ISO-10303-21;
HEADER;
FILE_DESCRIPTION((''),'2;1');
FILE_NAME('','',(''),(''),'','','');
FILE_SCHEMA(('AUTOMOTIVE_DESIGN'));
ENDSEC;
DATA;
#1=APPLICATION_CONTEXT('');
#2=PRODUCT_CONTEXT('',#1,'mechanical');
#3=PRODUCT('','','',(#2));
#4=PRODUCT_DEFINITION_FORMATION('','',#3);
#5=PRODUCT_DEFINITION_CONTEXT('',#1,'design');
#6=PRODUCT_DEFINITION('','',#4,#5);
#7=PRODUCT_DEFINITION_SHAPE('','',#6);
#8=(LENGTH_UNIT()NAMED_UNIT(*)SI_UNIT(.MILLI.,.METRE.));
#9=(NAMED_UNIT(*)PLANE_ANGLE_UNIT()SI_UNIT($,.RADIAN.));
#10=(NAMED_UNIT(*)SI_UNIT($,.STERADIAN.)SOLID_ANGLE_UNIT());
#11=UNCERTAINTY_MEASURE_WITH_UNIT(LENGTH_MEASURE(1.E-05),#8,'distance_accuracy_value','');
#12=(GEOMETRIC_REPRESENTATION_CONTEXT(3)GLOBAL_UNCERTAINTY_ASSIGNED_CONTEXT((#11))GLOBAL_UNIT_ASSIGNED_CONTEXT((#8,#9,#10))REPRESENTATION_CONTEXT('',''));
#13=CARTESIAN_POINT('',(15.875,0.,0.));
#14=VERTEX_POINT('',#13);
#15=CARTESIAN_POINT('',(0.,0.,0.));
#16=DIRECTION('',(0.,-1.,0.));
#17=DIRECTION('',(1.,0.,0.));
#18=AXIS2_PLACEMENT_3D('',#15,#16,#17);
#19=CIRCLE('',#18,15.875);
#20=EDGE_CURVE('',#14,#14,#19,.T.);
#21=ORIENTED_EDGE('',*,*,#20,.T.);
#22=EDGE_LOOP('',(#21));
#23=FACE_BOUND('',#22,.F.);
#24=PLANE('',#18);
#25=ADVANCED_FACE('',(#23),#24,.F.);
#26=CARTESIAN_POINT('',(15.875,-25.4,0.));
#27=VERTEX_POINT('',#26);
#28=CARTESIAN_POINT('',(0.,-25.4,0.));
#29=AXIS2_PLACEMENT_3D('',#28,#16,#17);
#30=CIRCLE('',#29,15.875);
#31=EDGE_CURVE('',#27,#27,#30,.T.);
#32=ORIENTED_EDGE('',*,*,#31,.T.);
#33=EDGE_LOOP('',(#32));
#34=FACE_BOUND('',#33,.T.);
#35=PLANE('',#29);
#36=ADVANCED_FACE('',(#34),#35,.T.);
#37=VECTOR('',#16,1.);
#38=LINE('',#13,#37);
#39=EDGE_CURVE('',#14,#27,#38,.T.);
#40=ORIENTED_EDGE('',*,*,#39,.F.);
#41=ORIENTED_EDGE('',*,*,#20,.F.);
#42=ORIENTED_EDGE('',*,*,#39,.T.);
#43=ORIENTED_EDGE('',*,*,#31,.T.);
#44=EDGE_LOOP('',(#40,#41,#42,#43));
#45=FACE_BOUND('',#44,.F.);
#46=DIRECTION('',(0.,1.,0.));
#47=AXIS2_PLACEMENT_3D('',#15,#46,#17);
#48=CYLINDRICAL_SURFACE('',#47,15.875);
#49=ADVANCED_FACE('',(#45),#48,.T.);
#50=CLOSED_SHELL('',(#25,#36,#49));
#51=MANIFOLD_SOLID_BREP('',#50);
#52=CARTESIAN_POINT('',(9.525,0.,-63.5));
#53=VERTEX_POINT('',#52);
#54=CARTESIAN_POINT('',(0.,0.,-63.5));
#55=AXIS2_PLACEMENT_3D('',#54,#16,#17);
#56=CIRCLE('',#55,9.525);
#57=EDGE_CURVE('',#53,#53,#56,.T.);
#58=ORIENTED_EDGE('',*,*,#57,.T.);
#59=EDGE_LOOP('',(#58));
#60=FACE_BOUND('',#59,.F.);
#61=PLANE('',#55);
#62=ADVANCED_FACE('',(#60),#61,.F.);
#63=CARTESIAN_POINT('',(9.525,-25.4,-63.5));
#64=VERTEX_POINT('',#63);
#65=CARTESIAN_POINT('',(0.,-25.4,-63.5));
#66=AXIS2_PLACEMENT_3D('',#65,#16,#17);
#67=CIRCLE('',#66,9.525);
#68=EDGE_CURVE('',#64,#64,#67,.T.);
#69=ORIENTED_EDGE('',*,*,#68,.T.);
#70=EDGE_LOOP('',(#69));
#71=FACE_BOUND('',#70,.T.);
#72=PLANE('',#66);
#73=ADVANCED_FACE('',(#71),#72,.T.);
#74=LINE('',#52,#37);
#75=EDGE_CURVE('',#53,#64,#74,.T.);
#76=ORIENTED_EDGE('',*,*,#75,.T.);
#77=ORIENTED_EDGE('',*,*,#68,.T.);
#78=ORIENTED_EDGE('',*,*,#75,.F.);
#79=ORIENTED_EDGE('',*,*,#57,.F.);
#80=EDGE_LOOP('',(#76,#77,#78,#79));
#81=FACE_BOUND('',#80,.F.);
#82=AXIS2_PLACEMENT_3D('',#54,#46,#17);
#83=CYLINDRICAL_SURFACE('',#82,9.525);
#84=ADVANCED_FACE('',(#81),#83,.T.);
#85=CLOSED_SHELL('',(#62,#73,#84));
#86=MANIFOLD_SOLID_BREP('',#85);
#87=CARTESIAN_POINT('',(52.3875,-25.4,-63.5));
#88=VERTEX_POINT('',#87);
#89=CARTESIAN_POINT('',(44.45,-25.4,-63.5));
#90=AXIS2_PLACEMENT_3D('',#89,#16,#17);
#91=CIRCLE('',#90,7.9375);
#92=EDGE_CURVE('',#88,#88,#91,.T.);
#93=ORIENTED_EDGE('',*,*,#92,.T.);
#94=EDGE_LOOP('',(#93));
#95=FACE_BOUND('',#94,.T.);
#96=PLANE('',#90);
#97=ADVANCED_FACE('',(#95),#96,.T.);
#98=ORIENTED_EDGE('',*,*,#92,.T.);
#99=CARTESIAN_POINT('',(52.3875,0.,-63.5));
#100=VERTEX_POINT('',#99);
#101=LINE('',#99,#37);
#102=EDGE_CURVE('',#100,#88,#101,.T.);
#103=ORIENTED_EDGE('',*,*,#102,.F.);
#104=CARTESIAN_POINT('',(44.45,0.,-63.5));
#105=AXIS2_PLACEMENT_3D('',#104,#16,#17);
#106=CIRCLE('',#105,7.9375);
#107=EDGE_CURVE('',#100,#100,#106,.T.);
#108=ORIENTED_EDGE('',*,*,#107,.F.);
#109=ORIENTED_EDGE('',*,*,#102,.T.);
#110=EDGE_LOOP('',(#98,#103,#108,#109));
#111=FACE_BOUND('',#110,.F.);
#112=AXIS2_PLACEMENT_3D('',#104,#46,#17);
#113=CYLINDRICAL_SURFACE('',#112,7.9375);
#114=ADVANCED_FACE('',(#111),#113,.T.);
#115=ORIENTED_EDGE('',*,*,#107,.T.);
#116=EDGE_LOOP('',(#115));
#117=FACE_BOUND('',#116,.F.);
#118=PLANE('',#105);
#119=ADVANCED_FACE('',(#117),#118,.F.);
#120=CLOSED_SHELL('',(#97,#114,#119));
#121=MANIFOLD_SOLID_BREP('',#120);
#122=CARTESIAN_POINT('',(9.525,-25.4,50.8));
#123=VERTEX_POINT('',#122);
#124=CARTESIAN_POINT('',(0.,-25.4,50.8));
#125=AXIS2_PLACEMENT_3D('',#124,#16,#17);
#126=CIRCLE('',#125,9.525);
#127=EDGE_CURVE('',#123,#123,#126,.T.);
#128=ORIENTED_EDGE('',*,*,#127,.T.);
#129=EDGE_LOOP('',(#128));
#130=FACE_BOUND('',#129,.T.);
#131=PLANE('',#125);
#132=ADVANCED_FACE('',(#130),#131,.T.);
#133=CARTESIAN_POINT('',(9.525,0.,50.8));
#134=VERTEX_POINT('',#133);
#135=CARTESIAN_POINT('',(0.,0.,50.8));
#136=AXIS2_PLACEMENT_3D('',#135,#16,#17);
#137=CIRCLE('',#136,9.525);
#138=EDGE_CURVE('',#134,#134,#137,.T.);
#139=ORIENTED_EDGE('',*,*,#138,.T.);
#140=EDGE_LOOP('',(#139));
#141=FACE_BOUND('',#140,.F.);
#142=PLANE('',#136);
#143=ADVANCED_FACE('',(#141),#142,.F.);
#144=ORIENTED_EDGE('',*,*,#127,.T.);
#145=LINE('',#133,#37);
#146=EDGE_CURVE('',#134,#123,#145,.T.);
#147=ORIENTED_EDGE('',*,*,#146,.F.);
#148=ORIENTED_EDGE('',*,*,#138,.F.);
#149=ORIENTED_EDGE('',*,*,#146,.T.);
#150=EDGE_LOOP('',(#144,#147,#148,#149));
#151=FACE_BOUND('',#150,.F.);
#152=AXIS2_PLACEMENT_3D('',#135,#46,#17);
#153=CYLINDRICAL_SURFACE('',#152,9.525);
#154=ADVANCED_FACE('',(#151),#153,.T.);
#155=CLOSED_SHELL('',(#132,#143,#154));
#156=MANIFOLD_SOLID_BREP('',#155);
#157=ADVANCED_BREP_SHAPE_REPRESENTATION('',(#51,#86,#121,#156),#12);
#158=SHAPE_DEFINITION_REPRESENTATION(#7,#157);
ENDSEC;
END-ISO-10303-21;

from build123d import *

# Parameters (mm, degrees)
F0_R     = 15.875
F0_R_2   = 9.525
F0_R_3   = 7.9375
F2_DEPTH = 25.4
F3_W     = 87.540354
F3_H     = 137.664266
F4_DEPTH = 25.4


with BuildPart() as f2:
    # F0 (on Front) → F2 (new body)
    with BuildSketch(Plane.XZ):
        Circle(F0_R)
        with Locations((0, 50.8)):
            Circle(F0_R_2)
        with Locations((0, -63.5)):
            Circle(F0_R_2)
        with Locations((44.45, -63.5)):
            Circle(F0_R_3)
    extrude(amount=F2_DEPTH)

    # F3 (on Front) → F4 (cut)
    with BuildSketch(Plane.XZ):
        with Locations((13.648765, -5.765427)):
            Rectangle(F3_W, F3_H)
    extrude(amount=-F4_DEPTH, mode=Mode.SUBTRACT)


solid = f2.part
